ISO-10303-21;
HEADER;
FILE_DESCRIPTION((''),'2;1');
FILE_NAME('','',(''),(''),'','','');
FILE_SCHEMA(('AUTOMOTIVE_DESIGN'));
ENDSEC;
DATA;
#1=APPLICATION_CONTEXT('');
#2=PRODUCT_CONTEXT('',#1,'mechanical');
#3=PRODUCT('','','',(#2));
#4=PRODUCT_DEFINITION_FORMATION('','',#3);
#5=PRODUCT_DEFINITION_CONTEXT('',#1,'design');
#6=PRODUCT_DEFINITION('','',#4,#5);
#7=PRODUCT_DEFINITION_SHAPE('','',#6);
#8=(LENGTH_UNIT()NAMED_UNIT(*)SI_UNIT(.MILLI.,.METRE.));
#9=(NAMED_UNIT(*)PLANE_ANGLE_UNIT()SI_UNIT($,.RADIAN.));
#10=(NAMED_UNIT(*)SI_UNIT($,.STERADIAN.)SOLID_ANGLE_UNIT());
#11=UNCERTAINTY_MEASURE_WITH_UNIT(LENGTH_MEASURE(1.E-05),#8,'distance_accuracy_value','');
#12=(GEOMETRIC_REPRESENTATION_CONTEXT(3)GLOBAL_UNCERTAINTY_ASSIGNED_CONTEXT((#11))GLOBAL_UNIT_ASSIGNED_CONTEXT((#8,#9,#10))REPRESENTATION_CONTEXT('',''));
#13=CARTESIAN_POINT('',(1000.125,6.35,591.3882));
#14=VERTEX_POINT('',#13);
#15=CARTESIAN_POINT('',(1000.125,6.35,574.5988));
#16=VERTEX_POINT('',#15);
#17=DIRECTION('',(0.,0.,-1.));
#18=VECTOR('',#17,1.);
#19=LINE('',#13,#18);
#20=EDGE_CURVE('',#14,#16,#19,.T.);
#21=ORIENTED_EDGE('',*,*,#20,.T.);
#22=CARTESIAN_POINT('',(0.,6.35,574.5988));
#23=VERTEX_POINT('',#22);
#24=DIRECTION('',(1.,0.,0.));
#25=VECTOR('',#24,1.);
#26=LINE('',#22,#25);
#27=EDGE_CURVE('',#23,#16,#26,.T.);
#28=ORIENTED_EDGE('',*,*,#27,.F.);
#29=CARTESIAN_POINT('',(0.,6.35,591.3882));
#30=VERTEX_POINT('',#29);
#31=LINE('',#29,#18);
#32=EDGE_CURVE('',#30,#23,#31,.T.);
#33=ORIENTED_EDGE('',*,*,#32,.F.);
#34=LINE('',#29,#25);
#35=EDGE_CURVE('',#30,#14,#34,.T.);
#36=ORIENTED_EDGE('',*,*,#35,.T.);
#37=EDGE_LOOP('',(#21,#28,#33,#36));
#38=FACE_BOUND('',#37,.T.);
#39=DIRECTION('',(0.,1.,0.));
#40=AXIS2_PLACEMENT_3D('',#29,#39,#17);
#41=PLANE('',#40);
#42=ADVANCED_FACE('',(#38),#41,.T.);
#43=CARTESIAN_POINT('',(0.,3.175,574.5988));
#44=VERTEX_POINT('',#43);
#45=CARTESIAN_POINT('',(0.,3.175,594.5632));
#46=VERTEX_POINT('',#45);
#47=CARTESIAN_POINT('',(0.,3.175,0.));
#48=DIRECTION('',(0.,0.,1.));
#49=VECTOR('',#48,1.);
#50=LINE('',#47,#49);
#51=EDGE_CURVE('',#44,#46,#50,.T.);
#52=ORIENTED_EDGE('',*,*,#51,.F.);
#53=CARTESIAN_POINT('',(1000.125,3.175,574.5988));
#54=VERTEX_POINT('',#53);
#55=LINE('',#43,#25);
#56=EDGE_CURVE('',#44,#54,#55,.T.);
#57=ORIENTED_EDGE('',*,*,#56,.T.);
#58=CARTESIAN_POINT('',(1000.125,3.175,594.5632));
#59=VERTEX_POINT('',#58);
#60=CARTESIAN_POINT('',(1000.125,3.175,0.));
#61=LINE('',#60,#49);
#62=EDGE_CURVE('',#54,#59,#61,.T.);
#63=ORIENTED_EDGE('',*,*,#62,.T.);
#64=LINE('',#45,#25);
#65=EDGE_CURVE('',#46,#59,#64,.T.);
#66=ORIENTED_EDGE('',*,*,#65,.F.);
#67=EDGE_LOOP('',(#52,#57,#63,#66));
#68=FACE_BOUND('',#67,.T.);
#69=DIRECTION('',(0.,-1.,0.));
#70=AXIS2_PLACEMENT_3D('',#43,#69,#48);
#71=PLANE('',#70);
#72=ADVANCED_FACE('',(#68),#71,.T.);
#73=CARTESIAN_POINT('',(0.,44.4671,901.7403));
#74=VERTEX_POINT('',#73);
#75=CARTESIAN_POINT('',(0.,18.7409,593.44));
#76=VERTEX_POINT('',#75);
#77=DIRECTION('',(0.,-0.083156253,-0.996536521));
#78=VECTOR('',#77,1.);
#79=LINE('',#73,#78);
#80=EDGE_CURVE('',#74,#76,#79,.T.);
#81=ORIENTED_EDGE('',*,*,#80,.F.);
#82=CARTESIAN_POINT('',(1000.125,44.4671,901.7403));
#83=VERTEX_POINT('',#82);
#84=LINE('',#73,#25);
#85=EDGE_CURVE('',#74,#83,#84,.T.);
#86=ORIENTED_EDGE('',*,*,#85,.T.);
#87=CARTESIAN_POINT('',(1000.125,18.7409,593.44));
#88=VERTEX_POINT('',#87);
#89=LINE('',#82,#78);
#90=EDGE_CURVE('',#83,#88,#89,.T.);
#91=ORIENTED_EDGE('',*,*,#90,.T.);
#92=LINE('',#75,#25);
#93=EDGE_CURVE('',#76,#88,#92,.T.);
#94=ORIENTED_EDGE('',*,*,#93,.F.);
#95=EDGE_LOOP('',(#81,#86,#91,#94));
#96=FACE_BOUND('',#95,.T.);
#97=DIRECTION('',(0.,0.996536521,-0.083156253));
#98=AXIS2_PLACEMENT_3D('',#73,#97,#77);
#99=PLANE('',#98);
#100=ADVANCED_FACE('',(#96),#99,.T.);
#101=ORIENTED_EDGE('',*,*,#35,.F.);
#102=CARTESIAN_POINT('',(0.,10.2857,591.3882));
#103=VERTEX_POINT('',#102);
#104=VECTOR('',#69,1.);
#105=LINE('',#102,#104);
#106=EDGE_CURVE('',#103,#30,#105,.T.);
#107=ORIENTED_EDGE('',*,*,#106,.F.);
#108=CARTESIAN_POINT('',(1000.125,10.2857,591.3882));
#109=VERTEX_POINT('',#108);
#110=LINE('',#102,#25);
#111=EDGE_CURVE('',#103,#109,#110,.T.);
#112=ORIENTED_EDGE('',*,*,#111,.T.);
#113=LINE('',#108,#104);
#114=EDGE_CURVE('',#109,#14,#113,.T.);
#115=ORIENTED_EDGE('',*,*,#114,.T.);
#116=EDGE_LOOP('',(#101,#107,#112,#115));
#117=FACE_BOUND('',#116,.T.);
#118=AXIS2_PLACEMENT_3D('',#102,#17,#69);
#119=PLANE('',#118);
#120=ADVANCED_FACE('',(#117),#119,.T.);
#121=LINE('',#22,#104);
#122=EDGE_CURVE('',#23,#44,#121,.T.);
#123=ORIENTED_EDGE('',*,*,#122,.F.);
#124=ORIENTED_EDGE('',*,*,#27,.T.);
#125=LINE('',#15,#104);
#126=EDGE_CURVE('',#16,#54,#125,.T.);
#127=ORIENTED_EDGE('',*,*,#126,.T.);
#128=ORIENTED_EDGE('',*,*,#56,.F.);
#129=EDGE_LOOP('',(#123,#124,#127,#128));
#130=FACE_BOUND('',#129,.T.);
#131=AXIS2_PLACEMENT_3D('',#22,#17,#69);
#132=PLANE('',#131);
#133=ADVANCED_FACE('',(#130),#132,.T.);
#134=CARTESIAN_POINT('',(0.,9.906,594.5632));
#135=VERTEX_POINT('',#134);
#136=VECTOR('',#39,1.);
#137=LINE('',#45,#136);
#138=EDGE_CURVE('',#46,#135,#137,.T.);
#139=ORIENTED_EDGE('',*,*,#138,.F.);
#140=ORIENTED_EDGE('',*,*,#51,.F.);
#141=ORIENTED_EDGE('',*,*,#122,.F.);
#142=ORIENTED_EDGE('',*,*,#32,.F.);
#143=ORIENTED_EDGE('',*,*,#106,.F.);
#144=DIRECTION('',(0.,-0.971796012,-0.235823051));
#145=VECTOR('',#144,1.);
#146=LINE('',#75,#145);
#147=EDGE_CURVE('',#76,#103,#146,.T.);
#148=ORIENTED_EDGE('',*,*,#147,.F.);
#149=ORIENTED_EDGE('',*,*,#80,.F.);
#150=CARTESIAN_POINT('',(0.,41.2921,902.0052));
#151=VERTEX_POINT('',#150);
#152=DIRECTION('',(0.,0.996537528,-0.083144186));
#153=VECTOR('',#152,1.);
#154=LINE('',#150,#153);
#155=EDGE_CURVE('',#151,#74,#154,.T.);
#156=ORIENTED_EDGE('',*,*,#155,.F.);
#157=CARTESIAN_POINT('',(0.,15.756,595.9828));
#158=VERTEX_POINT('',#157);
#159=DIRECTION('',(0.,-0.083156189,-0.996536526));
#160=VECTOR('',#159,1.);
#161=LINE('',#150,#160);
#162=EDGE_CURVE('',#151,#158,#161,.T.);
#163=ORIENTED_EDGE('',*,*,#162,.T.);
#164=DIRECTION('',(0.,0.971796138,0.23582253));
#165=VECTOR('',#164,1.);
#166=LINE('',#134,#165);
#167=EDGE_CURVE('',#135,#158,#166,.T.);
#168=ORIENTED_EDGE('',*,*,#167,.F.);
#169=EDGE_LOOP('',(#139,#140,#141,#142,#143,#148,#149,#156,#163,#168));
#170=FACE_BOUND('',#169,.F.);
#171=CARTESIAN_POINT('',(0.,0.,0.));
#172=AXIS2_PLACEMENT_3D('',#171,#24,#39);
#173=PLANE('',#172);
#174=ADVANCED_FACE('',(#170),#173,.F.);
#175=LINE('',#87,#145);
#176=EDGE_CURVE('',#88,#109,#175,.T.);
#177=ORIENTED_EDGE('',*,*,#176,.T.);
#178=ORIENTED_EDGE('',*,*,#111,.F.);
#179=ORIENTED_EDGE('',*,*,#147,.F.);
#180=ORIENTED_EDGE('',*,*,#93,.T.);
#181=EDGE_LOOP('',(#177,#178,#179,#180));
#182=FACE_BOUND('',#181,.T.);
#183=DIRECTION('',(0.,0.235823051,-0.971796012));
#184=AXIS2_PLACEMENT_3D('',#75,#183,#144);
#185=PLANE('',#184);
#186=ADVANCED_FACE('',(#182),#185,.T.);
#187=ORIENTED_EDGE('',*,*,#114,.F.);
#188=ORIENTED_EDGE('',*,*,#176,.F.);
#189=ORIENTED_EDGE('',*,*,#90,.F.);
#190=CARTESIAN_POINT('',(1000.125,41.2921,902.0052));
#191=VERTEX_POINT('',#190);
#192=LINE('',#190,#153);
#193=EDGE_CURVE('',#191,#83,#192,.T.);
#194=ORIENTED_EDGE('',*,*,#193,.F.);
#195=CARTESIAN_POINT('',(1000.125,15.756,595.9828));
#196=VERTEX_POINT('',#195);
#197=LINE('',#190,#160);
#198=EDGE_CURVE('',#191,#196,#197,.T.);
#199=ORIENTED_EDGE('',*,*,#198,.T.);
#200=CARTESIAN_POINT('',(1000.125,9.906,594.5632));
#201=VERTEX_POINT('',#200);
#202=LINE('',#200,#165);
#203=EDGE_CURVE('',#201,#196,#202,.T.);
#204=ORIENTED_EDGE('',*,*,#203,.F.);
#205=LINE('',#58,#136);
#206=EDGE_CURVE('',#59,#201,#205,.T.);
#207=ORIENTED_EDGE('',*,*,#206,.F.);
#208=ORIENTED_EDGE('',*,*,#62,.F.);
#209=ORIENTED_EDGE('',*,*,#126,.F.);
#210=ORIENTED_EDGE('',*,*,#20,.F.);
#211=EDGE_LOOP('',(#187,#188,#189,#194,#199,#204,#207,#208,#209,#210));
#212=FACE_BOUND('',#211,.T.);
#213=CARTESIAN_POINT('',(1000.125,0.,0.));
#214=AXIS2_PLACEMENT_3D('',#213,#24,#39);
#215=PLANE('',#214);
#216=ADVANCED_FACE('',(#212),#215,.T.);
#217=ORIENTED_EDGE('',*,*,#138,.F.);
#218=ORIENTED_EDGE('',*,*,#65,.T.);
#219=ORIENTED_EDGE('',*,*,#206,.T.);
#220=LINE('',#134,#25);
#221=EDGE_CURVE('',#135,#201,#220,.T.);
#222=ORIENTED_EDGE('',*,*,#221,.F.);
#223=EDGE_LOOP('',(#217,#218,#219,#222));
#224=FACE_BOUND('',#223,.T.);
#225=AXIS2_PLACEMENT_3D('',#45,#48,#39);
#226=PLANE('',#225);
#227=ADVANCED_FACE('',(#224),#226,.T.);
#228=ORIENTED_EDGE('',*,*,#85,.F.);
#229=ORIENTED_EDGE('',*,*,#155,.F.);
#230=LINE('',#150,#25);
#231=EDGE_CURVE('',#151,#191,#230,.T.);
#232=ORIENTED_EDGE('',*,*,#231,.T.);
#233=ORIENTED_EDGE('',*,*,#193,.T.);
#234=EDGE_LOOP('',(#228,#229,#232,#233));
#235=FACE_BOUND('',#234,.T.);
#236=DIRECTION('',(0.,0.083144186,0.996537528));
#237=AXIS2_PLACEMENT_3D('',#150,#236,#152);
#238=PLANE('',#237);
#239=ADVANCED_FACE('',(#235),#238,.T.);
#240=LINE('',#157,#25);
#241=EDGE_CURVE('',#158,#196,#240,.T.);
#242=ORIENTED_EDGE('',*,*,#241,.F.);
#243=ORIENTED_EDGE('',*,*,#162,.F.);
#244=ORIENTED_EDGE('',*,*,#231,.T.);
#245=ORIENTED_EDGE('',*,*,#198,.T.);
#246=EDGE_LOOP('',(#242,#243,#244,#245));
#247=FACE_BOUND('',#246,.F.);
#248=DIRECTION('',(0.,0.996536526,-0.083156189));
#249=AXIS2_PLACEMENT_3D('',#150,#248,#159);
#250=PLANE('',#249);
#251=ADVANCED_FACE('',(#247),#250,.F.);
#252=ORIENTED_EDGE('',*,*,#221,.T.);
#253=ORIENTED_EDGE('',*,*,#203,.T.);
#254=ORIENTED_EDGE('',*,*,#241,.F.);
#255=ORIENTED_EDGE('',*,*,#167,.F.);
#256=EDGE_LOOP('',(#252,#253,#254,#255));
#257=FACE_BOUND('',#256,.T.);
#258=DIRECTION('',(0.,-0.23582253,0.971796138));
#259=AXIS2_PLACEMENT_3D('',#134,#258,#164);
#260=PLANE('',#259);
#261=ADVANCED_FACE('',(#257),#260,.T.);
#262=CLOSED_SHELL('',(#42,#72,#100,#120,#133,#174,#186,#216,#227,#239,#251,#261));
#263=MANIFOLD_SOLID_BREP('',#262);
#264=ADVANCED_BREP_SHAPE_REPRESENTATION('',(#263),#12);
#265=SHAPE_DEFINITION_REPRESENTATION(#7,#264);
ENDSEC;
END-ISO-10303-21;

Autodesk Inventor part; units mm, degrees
ref_plane "YZ Plane" through (0, 0, 0) normal (1, 0, 0) x (0, 1, 0)
ref_plane "XZ Plane" through (0, 0, 0) normal (0, 1, 0) x (-1, 0, 0)
ref_plane "XY Plane" through (0, 0, 0) normal (0, 0, 1) x (1, 0, 0)
sketch "Sketch1" plane through (0, 0, 0) normal (1, 0, 0) x (0, 1, 0)
  line L0 (0, 0) -> (0, 597.7382)
  line L1 (0, 0) -> (3.175, 0)
  line L2 (3.175, 0) -> (3.175, 594.5632)
  line L3 (3.175, 594.5632) -> (9.906, 594.5632)
  line L4 (9.906, 594.5632) -> (15.756, 595.9828)
  line L5 (0, 597.7382) -> (9.5263, 597.7382)
  line L6 (9.5263, 597.7382) -> (12.7824, 598.5283)
  line L7 (41.2921, 902.0052) -> (15.756, 595.9828)
  line L8 (12.7824, 598.5283) -> (38.1281, 902.2692)
  line L9 (38.1281, 902.2692) -> (41.2921, 902.0052)
  line L10 (41.2921, 902.0052) -> (44.4671, 901.7403)
  line L11 (44.4671, 901.7403) -> (18.7409, 593.44)
  line L12 (18.7409, 593.44) -> (10.2857, 591.3882)
  line L13 (10.2857, 591.3882) -> (6.35, 591.3882)
  line L14 (6.35, 591.3882) -> (6.35, 574.5988)
  line L15 (6.35, 574.5988) -> (3.175, 574.5988)
  dimension "d0" = 594.5632
  dimension "d1" = 3.175
  dimension "d2" = 6.731
  dimension "d7" = 3.175
  dimension "d8" = 6.0198
  dimension "d9" = 166.36
  dimension "d10" = 3.175
  dimension "d11" = 108.41
  dimension "d12" = 3.175
  dimension "d13" = 307.086
  dimension "d16" = 3.175
  dimension "d18" = 3.175
  dimension "d20" = 307.1025
  dimension "d21" = 8.7006
  dimension "d22" = 3.175
  dimension "d23" = 3.175
  dimension "d24" = 3.9357
  dimension "d25" = 16.7894
extrude "Extrusion2" add sketch "Sketch1" along normal blind 1000.125 contours L2 L3 L4 L7 L10 L11 L12 L13 L14 L15
properties part number "First_Shingle_Over_Intake_Vent_With_Length_39.375_Inches"
